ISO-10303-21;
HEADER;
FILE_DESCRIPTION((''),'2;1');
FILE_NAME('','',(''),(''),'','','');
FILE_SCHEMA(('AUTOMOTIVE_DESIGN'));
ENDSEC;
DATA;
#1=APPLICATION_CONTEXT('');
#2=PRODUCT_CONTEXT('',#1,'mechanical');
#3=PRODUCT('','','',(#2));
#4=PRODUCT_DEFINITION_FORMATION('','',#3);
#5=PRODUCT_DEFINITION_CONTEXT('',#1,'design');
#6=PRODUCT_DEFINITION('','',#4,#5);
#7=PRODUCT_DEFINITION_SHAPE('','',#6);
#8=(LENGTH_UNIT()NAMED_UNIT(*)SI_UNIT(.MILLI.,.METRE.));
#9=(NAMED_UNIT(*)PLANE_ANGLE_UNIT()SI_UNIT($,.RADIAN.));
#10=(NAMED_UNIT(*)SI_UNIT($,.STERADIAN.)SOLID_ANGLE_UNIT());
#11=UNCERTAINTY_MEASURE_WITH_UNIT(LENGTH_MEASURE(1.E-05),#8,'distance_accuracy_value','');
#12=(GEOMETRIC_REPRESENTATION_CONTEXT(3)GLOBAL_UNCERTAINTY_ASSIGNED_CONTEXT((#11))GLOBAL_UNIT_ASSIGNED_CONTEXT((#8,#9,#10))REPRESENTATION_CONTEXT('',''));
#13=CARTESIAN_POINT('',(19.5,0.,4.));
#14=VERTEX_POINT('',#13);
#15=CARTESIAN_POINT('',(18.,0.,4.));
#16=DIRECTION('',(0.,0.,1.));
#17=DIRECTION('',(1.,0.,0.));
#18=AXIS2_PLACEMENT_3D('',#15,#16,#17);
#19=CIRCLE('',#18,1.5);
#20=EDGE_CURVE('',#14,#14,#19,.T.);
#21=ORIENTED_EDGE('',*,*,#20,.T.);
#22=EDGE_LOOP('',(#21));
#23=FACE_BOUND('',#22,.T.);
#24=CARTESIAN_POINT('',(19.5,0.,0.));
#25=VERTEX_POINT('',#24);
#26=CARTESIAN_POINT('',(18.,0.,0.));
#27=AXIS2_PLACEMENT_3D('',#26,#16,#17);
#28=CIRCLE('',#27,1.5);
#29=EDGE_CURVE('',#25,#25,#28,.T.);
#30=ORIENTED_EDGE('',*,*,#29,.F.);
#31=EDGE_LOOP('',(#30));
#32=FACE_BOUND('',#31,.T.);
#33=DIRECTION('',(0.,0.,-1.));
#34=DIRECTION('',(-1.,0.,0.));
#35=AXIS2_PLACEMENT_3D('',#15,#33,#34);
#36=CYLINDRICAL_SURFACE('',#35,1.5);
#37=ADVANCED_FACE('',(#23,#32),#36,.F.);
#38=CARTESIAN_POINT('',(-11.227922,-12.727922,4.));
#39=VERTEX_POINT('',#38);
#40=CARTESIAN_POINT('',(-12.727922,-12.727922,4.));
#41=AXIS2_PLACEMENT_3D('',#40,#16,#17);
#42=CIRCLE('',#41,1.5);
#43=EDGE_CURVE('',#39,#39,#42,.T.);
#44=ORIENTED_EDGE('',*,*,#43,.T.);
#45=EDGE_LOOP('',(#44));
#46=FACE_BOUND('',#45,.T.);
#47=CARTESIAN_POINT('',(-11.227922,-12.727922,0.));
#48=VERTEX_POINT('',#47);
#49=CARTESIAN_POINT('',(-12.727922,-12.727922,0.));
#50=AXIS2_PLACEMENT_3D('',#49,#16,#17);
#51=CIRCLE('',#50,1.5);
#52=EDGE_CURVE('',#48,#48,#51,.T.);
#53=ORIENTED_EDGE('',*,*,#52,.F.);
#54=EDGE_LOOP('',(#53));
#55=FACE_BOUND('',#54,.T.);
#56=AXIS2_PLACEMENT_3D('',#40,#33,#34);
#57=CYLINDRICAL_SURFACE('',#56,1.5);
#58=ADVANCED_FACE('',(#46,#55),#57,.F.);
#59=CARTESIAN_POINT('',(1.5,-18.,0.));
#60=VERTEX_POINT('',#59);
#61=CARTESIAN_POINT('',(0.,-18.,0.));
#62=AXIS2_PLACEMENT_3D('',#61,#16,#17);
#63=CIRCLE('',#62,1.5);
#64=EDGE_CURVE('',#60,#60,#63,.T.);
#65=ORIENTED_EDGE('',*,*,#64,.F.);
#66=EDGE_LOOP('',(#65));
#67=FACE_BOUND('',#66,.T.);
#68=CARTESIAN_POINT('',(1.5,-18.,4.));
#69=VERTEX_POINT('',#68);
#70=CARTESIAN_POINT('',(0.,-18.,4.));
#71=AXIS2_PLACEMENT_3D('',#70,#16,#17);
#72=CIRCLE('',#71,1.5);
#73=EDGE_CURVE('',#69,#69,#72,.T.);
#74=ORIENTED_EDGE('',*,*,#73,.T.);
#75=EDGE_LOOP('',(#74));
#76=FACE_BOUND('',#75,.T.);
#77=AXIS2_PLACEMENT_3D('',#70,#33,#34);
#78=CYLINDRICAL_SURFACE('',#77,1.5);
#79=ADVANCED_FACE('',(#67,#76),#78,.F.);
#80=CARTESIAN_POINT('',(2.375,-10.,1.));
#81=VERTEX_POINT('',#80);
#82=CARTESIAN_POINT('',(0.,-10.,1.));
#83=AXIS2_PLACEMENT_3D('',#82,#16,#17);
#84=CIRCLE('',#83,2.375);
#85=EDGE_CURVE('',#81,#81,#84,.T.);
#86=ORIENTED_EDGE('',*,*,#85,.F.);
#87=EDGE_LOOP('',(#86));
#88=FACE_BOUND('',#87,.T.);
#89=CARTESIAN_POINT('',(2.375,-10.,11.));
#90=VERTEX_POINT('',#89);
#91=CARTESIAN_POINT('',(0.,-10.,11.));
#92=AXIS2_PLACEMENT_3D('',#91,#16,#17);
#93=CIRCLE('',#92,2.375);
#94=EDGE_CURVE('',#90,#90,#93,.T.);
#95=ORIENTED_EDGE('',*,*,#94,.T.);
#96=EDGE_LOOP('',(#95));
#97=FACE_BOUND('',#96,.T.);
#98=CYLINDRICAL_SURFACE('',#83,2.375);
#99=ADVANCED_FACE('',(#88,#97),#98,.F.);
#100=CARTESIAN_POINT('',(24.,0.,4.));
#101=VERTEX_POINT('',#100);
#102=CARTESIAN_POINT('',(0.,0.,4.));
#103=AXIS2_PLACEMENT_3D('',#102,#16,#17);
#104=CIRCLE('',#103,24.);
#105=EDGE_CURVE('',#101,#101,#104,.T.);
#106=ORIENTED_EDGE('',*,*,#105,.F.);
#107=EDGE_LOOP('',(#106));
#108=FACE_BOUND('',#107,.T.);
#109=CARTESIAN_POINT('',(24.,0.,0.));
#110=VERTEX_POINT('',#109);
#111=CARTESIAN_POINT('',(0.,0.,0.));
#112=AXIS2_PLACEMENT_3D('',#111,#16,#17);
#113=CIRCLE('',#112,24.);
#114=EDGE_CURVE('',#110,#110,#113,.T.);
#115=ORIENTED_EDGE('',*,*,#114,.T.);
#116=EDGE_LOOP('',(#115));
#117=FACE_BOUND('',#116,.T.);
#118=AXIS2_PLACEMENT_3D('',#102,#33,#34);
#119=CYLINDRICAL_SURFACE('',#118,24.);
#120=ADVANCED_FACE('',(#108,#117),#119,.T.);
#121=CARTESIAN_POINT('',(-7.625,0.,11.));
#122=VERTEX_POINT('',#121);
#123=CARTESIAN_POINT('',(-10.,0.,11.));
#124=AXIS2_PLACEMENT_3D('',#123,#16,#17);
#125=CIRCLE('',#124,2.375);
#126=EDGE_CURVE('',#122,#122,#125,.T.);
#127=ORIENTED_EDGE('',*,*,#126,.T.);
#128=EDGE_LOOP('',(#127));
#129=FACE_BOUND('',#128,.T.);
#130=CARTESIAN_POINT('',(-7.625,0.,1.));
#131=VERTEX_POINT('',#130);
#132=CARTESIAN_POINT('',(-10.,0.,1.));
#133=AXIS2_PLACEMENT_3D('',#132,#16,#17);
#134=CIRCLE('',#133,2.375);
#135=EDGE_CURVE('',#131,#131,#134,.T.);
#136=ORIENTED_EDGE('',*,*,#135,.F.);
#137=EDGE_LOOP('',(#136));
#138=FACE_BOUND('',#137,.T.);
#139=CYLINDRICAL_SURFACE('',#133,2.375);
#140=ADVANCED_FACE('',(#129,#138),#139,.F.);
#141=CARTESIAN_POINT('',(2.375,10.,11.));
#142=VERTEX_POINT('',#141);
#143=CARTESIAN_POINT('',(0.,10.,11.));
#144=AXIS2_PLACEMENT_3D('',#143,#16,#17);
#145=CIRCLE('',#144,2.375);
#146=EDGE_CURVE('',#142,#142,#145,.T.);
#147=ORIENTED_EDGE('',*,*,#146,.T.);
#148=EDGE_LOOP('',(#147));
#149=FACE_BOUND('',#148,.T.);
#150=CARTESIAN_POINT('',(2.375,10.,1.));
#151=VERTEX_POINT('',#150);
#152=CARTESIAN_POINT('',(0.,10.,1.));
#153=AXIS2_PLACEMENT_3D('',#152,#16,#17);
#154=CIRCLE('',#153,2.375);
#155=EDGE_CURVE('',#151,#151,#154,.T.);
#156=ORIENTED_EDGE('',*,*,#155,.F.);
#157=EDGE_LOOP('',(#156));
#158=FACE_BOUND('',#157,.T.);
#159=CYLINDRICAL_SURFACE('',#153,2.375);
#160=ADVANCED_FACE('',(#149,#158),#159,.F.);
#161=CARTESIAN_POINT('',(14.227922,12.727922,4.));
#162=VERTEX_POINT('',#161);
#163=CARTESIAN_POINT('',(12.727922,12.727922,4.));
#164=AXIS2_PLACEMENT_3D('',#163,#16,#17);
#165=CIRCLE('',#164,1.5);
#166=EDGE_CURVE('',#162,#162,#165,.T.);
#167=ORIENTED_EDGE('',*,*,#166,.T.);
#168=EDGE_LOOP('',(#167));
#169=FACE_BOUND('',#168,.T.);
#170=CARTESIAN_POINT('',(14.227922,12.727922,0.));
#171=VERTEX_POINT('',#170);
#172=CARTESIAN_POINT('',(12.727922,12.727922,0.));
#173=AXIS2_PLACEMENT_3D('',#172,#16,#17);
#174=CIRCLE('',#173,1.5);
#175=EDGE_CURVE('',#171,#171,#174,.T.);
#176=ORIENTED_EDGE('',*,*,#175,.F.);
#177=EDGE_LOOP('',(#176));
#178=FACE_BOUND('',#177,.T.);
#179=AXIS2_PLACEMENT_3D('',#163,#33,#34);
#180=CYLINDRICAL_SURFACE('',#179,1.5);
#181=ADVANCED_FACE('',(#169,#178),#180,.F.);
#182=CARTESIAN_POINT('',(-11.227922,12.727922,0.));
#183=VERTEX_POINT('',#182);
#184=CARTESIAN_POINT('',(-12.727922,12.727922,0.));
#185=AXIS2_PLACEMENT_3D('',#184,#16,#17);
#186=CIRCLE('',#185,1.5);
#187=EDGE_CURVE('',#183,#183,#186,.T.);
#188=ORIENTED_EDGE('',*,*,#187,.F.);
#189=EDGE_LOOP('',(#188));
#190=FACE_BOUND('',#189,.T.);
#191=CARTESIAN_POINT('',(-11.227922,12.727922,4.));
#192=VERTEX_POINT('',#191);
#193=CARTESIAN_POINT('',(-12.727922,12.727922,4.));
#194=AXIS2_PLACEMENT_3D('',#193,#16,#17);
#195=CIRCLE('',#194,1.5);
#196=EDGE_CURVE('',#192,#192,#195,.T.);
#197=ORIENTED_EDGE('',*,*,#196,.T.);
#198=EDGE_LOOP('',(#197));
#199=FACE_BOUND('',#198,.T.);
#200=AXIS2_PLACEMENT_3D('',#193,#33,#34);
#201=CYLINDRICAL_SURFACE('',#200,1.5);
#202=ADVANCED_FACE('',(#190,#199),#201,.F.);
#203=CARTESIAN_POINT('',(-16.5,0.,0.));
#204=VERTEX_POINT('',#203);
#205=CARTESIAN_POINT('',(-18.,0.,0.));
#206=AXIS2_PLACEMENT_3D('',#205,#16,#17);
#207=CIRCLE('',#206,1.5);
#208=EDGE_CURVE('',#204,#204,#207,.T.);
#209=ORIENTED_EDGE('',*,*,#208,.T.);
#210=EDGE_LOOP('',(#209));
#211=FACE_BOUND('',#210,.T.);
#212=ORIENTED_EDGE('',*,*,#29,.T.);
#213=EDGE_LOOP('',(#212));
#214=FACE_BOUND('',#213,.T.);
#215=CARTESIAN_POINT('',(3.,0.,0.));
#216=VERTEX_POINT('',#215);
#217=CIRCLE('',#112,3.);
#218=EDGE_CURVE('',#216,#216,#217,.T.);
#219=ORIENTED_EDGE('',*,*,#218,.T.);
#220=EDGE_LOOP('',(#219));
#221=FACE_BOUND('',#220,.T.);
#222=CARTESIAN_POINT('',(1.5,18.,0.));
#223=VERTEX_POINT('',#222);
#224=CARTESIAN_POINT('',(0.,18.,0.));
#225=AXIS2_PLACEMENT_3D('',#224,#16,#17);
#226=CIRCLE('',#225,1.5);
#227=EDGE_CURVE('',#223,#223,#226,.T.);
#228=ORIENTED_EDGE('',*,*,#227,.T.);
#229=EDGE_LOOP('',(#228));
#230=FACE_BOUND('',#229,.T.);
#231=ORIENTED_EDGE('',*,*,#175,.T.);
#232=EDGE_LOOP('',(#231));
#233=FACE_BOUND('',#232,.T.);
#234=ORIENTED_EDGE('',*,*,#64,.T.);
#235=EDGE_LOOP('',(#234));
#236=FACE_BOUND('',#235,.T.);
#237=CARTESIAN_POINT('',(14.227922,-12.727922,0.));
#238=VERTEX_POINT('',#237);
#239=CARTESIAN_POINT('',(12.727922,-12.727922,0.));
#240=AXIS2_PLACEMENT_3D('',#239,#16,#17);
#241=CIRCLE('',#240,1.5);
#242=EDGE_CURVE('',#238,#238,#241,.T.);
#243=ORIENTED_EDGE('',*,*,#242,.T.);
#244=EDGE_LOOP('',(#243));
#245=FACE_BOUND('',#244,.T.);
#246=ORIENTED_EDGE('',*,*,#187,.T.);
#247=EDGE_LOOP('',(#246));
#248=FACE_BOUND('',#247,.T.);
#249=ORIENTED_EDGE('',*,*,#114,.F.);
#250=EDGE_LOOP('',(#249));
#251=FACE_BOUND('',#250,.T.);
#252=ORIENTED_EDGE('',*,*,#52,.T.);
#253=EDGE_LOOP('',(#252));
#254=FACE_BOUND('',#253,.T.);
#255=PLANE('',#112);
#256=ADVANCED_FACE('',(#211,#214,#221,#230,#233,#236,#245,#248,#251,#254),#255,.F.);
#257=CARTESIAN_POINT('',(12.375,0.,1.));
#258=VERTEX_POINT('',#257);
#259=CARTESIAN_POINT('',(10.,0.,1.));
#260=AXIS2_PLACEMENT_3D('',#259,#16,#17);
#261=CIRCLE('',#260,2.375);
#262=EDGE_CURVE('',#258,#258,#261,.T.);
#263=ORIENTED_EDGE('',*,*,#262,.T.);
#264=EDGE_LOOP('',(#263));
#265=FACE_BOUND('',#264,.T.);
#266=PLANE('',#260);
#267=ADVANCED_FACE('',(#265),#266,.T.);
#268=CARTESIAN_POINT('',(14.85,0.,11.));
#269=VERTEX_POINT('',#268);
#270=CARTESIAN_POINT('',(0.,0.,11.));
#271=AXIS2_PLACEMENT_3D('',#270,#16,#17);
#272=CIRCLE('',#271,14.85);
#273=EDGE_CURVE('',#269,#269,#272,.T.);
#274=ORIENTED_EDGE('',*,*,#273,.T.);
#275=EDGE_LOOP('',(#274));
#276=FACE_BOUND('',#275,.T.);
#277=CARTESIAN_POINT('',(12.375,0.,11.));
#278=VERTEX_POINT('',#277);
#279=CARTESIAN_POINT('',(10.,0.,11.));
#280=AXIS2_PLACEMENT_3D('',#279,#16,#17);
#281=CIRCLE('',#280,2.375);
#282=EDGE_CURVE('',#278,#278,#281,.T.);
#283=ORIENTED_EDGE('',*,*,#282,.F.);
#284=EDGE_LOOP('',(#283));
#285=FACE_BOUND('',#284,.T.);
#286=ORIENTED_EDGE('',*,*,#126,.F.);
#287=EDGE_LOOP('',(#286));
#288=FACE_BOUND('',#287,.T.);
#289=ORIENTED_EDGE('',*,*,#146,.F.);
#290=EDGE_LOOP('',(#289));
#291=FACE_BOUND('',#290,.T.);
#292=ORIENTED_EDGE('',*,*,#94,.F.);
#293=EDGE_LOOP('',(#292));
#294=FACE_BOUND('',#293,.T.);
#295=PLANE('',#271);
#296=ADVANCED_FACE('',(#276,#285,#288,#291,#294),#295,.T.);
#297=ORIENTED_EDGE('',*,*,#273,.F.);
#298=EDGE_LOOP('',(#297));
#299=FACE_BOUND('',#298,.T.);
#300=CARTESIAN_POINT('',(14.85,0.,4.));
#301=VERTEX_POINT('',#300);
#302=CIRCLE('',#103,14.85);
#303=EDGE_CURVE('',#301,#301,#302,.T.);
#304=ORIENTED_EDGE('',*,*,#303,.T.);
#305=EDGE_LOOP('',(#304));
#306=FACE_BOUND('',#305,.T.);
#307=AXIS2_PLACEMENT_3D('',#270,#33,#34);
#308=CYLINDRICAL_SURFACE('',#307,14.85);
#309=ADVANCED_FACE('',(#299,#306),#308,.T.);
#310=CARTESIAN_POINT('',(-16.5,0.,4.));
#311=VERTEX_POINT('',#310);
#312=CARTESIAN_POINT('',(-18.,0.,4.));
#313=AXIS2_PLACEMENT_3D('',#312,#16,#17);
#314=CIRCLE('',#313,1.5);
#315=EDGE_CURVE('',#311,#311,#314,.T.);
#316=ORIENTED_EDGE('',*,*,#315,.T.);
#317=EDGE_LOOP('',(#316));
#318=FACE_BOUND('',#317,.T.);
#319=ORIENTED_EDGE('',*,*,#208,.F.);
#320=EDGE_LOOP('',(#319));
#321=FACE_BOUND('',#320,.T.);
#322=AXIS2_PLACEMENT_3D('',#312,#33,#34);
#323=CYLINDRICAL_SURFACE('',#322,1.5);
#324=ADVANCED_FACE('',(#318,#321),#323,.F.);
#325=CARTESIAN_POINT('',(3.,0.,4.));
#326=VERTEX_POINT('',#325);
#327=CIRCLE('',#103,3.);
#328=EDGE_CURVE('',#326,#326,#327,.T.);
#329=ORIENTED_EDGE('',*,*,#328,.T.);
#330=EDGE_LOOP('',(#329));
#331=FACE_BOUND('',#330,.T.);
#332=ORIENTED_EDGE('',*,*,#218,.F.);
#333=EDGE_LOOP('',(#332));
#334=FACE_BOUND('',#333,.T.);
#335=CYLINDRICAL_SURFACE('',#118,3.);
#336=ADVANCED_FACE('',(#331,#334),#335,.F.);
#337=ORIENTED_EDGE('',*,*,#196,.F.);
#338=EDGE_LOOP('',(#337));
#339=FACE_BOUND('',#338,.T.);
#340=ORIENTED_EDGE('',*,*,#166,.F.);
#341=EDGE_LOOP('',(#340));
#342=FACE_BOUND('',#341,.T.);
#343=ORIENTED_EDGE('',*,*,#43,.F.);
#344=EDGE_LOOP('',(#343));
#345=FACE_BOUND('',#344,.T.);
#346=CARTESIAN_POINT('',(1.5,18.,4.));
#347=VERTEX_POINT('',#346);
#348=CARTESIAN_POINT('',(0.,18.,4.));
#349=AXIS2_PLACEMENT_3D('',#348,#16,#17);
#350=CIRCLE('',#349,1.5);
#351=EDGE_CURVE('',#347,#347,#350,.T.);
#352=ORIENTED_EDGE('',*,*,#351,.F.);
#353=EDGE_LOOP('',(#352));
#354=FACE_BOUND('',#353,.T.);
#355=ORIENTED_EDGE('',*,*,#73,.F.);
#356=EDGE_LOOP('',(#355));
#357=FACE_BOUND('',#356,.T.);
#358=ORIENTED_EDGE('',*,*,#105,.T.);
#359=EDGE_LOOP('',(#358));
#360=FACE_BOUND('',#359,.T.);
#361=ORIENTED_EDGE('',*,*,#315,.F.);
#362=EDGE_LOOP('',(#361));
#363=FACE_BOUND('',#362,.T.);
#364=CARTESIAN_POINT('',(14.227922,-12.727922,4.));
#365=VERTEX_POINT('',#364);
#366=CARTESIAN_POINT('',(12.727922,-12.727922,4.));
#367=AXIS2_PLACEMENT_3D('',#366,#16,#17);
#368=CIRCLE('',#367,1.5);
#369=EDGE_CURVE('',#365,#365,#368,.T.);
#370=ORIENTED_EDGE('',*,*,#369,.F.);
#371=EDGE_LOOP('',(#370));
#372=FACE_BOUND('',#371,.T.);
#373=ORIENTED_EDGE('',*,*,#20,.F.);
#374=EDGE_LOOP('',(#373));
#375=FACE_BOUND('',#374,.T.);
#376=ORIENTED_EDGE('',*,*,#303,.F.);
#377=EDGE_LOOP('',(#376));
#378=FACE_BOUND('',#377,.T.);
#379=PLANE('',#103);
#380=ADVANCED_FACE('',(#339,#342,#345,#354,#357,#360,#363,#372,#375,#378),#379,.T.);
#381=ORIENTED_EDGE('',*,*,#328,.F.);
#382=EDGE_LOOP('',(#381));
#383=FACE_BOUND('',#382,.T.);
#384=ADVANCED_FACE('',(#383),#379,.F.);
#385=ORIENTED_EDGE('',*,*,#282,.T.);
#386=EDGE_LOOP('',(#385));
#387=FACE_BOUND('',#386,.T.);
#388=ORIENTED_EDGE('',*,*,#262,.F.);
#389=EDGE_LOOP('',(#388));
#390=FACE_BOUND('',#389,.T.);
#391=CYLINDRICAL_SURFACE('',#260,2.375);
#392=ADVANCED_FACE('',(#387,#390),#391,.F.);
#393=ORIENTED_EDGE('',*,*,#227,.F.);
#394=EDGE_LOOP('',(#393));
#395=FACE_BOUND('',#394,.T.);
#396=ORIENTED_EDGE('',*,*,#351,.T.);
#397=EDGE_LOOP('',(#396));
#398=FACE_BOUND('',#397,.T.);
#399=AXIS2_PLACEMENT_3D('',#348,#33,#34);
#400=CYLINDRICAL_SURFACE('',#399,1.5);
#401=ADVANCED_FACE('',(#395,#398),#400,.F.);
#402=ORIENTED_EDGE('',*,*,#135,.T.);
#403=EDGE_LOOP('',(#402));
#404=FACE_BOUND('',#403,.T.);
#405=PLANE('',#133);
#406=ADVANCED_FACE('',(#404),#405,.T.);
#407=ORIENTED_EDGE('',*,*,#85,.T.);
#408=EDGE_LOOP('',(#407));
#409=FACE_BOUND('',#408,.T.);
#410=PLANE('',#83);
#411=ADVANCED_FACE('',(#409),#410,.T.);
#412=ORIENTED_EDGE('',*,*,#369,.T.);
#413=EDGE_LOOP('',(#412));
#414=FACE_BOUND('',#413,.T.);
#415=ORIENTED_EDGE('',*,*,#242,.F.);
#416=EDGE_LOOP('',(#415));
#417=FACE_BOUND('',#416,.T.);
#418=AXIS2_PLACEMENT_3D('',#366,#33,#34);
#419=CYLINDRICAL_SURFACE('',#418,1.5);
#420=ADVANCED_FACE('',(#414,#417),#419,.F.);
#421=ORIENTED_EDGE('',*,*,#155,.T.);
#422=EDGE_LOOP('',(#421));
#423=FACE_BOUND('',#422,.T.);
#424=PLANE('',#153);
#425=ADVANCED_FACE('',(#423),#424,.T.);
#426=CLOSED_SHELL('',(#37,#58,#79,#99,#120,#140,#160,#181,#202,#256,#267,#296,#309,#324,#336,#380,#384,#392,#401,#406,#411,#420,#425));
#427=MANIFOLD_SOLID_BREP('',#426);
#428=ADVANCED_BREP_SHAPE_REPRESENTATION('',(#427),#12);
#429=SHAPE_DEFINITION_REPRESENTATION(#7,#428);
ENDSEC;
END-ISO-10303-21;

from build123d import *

# Parameters (mm, degrees)
ESQUISSE1_R             = 24
ESQUISSE1_R_2           = 1.5
ESQUISSE1_R_3           = 3
BOSS_EXTRU_1_DEPTH      = 4
ESQUISSE2_R             = 14.85
BOSS_EXTRU_2_DEPTH      = 7
ESQUISSE3_R             = 2.375
ENL_V_MAT_EXTRU_1_DEPTH = 10


with BuildPart() as part:
    # Esquisse1 → Boss.-Extru.1 (new body)
    with BuildSketch(Plane.XY):
        Circle(ESQUISSE1_R)
        with Locations((0, 18)):
            Circle(ESQUISSE1_R_2, mode=Mode.SUBTRACT)
        with Locations((12.727922061, 12.727922061)):
            Circle(ESQUISSE1_R_2, mode=Mode.SUBTRACT)
        with Locations((18, 0)):
            Circle(ESQUISSE1_R_2, mode=Mode.SUBTRACT)
        with Locations((12.727922061, -12.727922061)):
            Circle(ESQUISSE1_R_2, mode=Mode.SUBTRACT)
        with Locations((0, -18)):
            Circle(ESQUISSE1_R_2, mode=Mode.SUBTRACT)
        with Locations((-12.727922061, -12.727922061)):
            Circle(ESQUISSE1_R_2, mode=Mode.SUBTRACT)
        with Locations((-18, 0)):
            Circle(ESQUISSE1_R_2, mode=Mode.SUBTRACT)
        with Locations((-12.727922061, 12.727922061)):
            Circle(ESQUISSE1_R_2, mode=Mode.SUBTRACT)
        Circle(ESQUISSE1_R_3, mode=Mode.SUBTRACT)
    extrude(amount=BOSS_EXTRU_1_DEPTH)

    # Esquisse2 → Boss.-Extru.2 (add)
    with BuildSketch(Plane.XY.offset(4)):
        Circle(ESQUISSE2_R)
    extrude(amount=BOSS_EXTRU_2_DEPTH)

    # Esquisse3 → Enlèv. mat.-Extru.1 (cut)
    with BuildSketch(Plane.XY.offset(11)):
        with Locations((0, 10)):
            Circle(ESQUISSE3_R)
        with Locations((10, 0)):
            Circle(ESQUISSE3_R)
        with Locations((0, -10)):
            Circle(ESQUISSE3_R)
        with Locations((-10, 0)):
            Circle(ESQUISSE3_R)
    extrude(amount=-ENL_V_MAT_EXTRU_1_DEPTH, mode=Mode.SUBTRACT)


solid = part.part
